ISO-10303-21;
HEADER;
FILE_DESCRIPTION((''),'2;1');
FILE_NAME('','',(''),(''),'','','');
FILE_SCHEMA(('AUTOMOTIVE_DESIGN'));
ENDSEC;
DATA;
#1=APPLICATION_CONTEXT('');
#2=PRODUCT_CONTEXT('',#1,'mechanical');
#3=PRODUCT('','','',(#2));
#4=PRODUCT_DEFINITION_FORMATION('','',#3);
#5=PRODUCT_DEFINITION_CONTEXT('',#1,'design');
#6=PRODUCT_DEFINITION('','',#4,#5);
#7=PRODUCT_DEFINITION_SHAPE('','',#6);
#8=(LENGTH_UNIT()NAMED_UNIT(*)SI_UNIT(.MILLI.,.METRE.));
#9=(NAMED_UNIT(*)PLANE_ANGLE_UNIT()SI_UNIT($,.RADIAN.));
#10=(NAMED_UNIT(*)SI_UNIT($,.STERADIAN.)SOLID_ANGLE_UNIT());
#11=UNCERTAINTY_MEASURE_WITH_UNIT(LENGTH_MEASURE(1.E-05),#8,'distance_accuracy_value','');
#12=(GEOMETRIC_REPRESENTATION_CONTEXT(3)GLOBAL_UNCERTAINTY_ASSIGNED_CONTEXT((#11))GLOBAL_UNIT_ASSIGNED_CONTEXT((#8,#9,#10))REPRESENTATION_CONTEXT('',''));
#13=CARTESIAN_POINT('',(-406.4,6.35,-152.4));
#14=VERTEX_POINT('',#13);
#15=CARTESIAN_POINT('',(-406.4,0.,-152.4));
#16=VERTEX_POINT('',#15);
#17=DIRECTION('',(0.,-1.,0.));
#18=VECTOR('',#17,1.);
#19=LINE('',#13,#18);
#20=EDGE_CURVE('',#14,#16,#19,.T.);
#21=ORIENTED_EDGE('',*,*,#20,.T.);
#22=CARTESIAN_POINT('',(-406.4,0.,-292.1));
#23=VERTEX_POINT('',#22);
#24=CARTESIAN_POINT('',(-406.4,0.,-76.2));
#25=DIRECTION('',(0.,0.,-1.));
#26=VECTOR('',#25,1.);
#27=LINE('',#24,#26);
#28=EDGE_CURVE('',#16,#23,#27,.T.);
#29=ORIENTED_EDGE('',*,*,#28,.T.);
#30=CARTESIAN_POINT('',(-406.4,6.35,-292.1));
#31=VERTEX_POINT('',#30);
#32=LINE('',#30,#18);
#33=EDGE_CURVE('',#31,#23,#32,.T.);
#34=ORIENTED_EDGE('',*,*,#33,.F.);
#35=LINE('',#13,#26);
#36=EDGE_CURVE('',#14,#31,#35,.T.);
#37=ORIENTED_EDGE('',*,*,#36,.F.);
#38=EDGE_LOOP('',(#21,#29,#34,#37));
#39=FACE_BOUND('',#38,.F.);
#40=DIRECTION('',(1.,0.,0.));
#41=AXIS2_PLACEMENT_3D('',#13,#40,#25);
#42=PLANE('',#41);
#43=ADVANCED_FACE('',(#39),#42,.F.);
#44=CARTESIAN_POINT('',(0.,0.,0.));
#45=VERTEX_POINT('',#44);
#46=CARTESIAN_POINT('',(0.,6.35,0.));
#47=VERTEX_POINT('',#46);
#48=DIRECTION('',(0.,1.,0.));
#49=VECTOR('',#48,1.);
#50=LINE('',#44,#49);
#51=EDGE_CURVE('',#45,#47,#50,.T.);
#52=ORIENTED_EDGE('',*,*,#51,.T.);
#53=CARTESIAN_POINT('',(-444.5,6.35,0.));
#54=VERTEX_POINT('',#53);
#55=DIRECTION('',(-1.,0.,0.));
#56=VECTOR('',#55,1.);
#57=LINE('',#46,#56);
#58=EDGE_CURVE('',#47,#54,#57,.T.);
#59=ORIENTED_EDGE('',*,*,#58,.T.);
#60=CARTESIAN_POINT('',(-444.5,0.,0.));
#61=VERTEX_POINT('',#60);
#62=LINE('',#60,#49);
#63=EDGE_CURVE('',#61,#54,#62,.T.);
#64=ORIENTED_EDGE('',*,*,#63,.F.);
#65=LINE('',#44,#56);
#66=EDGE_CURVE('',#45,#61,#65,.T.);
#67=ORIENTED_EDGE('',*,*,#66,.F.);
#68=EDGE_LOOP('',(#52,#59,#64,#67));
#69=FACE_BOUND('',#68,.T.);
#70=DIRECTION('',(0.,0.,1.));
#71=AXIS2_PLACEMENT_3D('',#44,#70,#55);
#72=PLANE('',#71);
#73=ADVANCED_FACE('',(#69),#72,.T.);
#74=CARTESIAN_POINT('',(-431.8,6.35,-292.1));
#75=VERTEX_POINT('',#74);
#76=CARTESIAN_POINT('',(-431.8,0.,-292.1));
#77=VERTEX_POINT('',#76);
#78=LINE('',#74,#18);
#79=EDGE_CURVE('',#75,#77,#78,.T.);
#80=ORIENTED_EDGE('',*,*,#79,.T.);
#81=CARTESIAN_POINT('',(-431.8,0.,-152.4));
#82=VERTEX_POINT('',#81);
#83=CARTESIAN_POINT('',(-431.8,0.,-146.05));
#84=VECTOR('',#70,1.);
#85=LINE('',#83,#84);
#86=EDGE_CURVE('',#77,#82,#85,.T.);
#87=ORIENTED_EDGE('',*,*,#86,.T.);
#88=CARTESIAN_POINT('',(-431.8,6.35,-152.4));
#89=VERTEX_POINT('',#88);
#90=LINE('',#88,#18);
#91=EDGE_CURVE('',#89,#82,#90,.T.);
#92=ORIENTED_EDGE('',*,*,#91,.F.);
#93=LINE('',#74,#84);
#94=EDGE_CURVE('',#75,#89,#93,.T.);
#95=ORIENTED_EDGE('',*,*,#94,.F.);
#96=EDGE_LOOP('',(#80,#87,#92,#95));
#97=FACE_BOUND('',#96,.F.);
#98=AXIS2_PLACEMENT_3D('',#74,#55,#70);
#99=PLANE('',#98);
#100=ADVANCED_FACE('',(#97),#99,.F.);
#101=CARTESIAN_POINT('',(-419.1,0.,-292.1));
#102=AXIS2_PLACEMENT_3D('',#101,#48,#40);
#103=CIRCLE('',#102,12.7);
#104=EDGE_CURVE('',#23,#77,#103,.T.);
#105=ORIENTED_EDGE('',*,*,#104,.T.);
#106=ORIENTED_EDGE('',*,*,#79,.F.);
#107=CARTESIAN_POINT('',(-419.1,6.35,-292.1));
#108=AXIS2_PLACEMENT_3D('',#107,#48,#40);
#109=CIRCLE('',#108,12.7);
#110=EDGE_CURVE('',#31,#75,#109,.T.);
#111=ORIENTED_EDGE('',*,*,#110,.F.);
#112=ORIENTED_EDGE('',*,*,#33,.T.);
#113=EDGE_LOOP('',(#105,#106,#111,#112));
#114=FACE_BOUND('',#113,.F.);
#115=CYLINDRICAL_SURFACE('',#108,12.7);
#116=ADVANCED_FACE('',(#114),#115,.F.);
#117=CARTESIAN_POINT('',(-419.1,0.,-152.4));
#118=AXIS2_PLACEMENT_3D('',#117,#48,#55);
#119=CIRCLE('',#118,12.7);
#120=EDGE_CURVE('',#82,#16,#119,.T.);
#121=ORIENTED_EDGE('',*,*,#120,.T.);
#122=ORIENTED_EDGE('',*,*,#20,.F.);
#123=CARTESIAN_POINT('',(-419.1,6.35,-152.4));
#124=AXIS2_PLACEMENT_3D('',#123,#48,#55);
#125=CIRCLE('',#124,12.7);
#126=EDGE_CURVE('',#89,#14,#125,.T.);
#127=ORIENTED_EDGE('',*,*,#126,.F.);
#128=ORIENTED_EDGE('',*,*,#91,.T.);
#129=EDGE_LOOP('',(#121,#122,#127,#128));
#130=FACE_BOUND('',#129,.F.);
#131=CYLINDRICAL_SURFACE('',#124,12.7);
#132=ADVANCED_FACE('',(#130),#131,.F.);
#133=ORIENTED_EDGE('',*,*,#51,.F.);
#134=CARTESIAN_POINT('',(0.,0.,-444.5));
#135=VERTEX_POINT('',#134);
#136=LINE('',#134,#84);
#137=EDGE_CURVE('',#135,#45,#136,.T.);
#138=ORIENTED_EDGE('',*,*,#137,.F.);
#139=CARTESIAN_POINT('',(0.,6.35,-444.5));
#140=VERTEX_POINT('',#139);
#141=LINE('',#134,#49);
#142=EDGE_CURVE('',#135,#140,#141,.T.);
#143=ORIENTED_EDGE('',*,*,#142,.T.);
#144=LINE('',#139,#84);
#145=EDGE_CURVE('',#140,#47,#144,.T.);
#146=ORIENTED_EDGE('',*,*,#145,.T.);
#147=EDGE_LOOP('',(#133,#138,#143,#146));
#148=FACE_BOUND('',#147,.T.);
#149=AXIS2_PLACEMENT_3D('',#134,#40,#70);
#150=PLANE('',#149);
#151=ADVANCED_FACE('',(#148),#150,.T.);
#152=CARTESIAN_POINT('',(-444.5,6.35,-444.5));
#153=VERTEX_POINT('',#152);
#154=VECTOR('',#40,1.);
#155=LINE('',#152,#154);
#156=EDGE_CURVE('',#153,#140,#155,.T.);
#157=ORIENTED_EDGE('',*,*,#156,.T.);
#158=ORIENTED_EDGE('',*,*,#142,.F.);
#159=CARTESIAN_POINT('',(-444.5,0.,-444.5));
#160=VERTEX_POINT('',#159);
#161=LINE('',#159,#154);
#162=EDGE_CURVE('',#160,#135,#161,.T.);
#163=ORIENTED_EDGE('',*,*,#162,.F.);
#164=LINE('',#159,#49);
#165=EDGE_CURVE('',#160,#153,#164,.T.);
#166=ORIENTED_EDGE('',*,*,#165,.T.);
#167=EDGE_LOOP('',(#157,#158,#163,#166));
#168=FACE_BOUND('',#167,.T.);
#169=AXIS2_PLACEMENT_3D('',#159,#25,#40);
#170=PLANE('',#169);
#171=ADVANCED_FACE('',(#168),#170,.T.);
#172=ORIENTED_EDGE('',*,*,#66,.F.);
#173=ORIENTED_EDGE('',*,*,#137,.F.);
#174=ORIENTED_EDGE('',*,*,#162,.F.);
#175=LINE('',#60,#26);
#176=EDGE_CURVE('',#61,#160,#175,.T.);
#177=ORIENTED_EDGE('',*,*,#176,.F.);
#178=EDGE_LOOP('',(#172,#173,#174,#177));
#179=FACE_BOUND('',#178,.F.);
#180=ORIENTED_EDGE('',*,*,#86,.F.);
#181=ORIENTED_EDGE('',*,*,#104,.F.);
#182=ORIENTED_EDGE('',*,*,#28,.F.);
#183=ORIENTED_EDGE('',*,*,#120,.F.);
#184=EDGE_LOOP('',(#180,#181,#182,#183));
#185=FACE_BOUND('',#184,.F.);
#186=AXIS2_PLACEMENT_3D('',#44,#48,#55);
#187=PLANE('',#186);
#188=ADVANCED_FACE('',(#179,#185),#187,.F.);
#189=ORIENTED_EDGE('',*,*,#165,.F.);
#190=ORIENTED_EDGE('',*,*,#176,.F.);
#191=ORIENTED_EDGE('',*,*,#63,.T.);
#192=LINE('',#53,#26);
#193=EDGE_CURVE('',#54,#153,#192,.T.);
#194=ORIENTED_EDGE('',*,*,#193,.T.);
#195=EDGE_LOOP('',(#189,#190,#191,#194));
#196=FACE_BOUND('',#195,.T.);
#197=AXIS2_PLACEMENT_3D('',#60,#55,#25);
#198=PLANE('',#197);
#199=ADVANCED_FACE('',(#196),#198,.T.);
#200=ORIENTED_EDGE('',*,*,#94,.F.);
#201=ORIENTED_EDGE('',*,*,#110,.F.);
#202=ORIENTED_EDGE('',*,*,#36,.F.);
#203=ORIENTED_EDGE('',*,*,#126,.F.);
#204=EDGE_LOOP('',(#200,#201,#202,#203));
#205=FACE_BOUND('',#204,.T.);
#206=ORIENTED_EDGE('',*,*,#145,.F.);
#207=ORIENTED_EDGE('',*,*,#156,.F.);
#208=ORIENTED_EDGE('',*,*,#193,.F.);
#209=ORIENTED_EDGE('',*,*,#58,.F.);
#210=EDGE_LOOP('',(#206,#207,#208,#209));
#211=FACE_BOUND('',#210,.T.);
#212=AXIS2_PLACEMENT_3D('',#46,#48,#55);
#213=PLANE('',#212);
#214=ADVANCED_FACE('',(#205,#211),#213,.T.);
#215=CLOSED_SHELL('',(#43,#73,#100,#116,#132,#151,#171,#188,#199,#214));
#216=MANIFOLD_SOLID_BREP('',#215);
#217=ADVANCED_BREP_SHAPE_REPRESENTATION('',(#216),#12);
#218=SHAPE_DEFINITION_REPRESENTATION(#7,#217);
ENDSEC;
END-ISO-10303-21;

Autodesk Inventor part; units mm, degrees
ref_plane "YZ Plane" through (0, 0, 0) normal (1, 0, 0) x (0, 1, 0)
ref_plane "XZ Plane" through (0, 0, 0) normal (0, 1, 0) x (-1, 0, 0)
ref_plane "XY Plane" through (0, 0, 0) normal (0, 0, 1) x (1, 0, 0)
sketch "Sketch1" plane through (0, 0, 0) normal (0, 1, 0) x (-1, 0, 0)
  line L0 (0, 0) -> (444.5, 0)
  line L1 (444.5, 0) -> (444.5, -444.5)
  line L2 (444.5, -444.5) -> (0, -444.5)
  line L3 (0, -444.5) -> (0, 0)
  dimension "d0" = 444.5
  dimension "d1" = 444.5
extrude "Extrusion1" add sketch "Sketch1" along normal blind 6.35
sketch "Sketch2" plane through (0, 6.35, 0) normal (0, 1, 0) x (1, 0, 0)
  line L0 (-444.5, 0) -> (0, 0) projected
  line L1 (-444.5, 444.5) -> (-444.5, 0) projected
  line L2 (-419.1, 304.8) -> (-419.1, 139.7) construction
  line L3 (-431.8, 292.1) -> (-431.8, 152.4)
  line L4 (-406.4, 152.4) -> (-406.4, 292.1)
  arc A0 (-406.4, 292.1) -> (-431.8, 292.1) centre (-419.1, 292.1) ccw
  arc A1 (-431.8, 152.4) -> (-406.4, 152.4) centre (-419.1, 152.4) ccw
  line L5 (0, 444.5) -> (-444.5, 444.5) projected
  point P0 (-419.1, 222.25)
  dimension "d8" = 444.5
  dimension "d12" = 25.4
  dimension "d13" = 12.7
  dimension "d14" = 165.1
  dimension "d15" = 139.7
extrude "Extrusion3" cut sketch "Sketch2" against normal through all
equation "\"d15\" = -0.5 * d14 + 0.5 * d8"
properties part number "Top Plate" material "Nylon 6/6"
